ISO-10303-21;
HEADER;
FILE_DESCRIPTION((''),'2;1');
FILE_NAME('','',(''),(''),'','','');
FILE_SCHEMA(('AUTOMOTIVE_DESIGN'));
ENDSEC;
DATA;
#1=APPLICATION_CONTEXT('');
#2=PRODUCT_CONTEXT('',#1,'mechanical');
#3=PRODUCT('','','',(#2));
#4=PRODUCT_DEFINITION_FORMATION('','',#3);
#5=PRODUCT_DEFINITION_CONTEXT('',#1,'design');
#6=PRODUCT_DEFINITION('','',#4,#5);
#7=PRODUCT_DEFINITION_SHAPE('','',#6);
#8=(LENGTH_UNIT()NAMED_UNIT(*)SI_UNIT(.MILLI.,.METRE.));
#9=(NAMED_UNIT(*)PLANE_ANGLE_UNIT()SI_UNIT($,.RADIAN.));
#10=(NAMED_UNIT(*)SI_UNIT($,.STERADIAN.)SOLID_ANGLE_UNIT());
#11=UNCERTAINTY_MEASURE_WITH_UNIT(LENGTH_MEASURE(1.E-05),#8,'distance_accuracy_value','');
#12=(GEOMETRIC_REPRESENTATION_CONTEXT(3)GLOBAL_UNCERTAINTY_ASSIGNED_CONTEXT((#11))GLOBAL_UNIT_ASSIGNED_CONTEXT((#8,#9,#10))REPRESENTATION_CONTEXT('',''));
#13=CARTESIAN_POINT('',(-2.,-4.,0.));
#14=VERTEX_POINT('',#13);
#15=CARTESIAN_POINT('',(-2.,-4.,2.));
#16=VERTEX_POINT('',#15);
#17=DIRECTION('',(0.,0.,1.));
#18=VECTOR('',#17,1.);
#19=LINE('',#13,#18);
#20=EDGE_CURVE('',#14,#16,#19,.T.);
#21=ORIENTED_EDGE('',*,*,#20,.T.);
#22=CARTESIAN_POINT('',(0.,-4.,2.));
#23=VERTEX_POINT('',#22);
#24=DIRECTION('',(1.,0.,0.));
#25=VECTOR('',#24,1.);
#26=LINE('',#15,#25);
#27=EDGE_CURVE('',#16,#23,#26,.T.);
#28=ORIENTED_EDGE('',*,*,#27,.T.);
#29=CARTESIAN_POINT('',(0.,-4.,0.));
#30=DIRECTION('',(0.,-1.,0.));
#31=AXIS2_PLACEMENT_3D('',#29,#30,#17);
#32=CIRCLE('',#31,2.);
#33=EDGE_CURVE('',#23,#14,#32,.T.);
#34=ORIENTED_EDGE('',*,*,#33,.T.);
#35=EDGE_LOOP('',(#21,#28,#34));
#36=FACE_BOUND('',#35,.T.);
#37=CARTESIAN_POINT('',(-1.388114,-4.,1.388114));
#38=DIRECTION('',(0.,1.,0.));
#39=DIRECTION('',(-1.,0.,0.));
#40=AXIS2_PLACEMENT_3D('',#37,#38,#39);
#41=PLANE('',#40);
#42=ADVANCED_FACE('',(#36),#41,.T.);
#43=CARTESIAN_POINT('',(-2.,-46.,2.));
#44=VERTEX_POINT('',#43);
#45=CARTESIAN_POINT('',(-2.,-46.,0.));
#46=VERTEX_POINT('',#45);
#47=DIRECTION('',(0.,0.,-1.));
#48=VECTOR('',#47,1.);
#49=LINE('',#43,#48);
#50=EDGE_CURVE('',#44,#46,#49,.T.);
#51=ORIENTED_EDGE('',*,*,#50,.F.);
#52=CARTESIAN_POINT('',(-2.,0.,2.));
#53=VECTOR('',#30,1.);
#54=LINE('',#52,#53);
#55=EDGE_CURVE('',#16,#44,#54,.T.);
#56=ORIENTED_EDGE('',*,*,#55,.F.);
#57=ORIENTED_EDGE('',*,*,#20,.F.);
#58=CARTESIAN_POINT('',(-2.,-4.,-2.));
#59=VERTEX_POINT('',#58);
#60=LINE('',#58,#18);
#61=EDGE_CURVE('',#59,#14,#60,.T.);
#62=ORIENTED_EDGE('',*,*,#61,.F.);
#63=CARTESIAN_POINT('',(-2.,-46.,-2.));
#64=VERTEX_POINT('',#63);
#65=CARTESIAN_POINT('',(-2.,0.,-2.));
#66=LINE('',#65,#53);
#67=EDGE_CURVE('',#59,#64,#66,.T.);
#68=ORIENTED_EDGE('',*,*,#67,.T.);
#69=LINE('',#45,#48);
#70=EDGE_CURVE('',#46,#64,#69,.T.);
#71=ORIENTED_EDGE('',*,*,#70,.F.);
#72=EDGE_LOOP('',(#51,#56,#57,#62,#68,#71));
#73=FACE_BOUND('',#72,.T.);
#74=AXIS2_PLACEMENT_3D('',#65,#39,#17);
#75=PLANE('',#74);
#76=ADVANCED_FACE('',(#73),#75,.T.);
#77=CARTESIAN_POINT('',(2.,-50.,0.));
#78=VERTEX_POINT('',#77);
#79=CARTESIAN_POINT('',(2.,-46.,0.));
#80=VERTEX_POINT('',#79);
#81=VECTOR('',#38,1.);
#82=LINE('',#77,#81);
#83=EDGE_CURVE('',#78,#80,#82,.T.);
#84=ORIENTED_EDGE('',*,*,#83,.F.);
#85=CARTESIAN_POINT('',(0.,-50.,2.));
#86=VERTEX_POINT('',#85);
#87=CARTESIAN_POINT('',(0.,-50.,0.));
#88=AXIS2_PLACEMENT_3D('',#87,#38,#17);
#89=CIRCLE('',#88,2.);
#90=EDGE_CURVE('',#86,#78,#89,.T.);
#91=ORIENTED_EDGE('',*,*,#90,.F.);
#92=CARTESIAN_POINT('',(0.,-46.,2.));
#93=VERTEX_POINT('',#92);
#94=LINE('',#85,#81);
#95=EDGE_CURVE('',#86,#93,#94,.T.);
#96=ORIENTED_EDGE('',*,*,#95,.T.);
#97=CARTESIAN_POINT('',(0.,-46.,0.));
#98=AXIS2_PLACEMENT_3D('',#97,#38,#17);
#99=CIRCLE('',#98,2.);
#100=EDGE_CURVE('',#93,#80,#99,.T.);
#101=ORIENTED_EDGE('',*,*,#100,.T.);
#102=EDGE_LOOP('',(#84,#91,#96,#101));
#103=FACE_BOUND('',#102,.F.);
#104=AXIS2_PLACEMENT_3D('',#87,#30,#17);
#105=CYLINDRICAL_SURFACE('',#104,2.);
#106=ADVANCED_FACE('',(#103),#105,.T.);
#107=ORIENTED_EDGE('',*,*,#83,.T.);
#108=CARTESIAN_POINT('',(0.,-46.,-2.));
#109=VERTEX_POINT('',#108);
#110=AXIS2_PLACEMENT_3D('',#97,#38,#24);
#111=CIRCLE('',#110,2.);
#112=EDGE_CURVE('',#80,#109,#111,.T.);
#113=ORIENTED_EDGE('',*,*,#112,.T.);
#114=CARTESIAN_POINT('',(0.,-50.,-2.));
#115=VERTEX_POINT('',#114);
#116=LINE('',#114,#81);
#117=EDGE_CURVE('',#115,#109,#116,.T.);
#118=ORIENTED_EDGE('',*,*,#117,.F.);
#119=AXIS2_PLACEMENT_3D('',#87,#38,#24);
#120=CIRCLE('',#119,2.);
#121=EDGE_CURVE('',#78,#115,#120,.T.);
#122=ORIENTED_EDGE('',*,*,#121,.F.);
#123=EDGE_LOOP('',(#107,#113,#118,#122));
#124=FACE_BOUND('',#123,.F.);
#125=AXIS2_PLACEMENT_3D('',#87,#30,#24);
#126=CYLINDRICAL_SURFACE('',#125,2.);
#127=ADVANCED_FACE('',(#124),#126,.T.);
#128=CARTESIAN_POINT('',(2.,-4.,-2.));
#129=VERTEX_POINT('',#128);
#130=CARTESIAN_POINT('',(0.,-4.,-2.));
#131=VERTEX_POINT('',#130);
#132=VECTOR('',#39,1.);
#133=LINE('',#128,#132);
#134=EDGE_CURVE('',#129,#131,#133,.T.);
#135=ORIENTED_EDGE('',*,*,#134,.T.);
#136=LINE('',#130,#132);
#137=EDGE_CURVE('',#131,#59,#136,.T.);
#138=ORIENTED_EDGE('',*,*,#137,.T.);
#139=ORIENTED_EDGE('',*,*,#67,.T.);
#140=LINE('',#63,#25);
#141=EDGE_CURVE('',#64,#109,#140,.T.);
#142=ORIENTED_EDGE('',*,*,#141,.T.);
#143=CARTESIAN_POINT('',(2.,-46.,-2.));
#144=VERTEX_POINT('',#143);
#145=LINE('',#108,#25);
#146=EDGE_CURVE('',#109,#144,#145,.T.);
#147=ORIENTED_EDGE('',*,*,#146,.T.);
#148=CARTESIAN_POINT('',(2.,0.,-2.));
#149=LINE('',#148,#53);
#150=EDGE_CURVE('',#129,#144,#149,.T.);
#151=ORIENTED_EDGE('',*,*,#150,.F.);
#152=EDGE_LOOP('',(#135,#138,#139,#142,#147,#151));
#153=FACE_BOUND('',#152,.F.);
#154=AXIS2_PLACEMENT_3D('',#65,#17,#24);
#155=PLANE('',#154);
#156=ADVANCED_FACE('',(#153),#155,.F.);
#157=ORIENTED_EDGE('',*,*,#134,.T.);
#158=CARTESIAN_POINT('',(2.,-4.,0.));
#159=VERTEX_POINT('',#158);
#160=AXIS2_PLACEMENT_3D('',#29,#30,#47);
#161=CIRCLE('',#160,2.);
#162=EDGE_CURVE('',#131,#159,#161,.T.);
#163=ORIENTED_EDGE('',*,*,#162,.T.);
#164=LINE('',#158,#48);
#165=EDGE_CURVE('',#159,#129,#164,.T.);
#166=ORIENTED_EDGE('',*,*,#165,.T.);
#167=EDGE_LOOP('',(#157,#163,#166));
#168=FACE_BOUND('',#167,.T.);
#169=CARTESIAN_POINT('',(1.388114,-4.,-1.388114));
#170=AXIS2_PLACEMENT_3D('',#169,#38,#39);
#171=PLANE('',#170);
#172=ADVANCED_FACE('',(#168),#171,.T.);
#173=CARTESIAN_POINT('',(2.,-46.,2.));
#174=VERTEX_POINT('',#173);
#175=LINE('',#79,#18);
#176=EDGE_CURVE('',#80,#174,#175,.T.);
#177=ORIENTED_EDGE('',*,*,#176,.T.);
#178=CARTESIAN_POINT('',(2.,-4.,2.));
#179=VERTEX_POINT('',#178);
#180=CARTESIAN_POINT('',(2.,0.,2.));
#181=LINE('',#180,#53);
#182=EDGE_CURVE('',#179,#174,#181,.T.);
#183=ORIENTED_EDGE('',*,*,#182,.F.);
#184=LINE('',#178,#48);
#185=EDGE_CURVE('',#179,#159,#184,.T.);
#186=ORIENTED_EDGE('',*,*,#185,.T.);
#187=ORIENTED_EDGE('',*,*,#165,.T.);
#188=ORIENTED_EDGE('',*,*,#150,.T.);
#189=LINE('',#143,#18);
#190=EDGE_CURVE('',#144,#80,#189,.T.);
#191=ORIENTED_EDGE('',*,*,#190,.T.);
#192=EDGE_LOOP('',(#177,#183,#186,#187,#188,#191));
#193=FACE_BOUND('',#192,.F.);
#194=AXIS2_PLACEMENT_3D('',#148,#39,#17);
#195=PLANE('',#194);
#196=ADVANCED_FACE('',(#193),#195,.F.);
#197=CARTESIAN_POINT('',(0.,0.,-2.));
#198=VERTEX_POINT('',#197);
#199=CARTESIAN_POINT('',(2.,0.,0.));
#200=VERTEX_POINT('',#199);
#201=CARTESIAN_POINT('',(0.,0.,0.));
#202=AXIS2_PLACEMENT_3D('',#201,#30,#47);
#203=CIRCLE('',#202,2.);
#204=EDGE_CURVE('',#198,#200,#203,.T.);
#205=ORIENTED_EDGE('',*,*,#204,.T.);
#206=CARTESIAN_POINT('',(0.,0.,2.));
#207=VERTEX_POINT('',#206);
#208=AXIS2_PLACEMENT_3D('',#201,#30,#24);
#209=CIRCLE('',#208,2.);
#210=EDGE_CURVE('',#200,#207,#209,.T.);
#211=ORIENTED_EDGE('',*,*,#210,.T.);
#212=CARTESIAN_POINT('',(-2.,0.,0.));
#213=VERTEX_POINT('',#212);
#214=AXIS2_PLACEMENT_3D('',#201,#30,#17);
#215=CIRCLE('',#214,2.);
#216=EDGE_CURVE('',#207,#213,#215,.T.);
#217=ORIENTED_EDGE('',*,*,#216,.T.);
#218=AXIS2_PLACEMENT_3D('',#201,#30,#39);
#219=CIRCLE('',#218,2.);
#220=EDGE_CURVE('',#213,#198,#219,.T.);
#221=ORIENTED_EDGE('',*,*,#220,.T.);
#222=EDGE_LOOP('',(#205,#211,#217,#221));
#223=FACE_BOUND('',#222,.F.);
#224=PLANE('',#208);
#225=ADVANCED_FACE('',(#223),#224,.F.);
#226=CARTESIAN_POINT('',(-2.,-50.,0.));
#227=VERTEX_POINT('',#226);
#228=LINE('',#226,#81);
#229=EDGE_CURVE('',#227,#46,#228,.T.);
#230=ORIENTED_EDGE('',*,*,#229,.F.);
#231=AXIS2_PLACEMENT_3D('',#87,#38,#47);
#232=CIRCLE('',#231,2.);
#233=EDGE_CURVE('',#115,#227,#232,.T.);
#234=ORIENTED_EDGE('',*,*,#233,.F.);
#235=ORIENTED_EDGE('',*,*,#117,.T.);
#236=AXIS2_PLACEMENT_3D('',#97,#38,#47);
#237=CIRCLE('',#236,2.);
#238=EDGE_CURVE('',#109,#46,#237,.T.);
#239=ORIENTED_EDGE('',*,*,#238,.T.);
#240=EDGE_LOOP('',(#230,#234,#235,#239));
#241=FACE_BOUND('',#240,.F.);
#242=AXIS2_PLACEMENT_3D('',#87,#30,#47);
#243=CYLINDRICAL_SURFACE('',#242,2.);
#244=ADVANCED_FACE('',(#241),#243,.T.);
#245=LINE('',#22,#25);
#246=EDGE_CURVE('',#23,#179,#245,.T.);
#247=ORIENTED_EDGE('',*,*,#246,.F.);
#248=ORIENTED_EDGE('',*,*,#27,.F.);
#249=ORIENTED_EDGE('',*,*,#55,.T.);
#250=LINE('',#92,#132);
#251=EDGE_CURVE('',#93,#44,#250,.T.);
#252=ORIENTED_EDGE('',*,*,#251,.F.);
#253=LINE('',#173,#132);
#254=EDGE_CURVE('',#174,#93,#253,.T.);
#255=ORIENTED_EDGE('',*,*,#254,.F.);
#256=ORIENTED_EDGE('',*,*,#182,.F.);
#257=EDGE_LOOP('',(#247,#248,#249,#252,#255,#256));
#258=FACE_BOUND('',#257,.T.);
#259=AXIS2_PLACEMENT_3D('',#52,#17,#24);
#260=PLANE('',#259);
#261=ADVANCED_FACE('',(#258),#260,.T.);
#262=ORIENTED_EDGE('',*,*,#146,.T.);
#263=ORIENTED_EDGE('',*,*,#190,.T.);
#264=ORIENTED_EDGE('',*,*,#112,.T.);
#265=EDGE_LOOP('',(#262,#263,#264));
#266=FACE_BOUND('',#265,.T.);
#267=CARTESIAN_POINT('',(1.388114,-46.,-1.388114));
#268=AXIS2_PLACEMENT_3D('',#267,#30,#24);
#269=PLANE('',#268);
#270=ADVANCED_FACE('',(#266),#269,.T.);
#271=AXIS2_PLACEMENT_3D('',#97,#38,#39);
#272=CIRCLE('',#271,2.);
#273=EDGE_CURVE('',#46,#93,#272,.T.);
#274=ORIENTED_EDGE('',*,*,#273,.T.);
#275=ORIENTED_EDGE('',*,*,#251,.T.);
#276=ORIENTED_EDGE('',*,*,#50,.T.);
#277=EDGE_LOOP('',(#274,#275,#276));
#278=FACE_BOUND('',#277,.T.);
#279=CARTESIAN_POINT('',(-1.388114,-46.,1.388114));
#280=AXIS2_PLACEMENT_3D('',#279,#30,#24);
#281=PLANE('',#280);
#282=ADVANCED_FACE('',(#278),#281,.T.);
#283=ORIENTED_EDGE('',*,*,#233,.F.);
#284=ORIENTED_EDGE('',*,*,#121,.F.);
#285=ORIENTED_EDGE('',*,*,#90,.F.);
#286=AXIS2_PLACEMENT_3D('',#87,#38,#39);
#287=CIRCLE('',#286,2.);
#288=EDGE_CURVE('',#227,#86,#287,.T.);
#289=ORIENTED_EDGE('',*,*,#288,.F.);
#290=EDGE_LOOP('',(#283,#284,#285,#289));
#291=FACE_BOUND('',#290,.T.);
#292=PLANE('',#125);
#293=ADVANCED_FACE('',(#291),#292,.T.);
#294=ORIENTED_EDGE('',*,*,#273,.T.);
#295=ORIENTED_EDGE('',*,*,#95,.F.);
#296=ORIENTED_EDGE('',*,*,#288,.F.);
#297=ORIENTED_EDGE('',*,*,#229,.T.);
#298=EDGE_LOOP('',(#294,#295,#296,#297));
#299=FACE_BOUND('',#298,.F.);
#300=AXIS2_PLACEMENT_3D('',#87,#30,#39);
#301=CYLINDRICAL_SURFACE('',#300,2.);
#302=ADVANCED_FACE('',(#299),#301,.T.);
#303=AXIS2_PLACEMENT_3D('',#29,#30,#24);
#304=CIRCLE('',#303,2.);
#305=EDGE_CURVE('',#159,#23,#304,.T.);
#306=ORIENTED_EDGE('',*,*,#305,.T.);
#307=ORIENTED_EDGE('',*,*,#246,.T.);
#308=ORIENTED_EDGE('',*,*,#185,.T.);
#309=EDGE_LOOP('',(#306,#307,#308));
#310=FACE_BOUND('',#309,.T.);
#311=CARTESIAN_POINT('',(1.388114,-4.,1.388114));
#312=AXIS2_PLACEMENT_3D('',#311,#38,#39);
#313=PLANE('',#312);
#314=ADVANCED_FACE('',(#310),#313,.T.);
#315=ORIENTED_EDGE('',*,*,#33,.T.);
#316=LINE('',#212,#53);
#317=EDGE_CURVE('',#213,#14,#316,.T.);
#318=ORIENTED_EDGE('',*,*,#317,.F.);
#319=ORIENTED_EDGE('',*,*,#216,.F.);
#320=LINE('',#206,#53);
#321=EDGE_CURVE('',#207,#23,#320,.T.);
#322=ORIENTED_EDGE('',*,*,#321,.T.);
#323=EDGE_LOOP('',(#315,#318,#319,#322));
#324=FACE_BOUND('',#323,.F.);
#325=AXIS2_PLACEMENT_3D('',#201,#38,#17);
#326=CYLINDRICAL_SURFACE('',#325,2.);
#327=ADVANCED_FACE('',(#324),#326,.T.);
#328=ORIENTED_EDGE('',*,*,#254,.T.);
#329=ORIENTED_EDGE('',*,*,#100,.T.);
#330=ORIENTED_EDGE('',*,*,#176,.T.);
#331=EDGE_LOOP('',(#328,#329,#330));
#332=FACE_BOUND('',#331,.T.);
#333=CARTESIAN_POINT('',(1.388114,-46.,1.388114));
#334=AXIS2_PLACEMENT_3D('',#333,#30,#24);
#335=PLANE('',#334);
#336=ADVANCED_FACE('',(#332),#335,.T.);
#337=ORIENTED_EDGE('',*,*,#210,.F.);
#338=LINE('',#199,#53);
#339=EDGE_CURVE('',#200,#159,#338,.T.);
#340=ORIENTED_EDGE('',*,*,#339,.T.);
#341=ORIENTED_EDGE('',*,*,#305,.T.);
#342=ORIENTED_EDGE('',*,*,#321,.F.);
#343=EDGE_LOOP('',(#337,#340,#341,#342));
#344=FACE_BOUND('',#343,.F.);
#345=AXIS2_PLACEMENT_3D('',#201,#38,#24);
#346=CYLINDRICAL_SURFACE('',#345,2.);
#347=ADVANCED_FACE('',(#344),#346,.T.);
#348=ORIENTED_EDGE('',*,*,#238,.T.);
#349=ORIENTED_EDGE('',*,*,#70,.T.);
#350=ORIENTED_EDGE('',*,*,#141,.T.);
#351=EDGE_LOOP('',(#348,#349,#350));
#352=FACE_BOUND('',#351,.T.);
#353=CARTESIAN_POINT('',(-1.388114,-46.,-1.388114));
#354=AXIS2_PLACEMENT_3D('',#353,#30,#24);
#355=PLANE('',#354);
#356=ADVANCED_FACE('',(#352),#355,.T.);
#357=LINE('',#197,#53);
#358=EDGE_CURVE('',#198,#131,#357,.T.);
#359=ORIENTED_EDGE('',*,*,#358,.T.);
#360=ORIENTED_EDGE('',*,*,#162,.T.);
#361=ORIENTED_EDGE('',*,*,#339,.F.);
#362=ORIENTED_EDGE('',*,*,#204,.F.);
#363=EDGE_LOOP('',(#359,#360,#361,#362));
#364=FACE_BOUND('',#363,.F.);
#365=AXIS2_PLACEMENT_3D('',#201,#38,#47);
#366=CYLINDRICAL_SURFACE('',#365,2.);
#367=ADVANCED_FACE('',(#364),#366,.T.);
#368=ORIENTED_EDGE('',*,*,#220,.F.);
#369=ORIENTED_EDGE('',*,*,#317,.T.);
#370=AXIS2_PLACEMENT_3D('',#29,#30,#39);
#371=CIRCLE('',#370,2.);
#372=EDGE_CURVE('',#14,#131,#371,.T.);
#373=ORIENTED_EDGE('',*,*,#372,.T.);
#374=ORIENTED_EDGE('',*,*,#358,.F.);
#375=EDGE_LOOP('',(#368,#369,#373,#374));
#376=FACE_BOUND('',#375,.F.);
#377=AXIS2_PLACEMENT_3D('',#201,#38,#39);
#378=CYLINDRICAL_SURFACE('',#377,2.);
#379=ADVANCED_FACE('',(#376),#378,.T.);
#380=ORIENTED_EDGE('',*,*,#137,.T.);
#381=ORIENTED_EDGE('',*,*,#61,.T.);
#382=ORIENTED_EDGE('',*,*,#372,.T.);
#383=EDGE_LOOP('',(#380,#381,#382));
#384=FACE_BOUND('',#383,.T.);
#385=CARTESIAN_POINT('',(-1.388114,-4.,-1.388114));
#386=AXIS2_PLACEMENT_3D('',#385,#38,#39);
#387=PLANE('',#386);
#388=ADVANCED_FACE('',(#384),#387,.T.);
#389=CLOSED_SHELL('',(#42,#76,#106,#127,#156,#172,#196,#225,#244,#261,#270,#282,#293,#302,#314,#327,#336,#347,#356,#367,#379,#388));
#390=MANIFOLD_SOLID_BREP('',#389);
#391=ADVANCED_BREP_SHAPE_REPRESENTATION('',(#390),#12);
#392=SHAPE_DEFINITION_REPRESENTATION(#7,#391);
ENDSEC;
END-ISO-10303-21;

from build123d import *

# Parameters (mm, degrees)
F0_W     = 4
F0_H     = 4
F1_DEPTH = 50
F3_DEPTH = 4
F5_DEPTH = 4


with BuildPart() as f1:
    # F0 (on Front) → F1 (new body)
    with BuildSketch(Plane.XZ):
        Rectangle(F0_W, F0_H)
    extrude(amount=F1_DEPTH)

    # F2 (on face) → F3 (cut)
    with BuildSketch(Plane(origin=(0, 0, 0), x_dir=(-1, 0, 0), z_dir=(0, 1, 0))):
        with BuildLine():
            ThreePointArc((-2, 0), (-1.4142135624, 1.4142135624), (0, 2))
            Line((0, 2), (-2, 2))
            Line((-2, 2), (-2, 0))
        make_face()
        with BuildLine():
            Line((-2, -2), (0, -2))
            ThreePointArc((0, -2), (-1.4142135624, -1.4142135624), (-2, 0))
            Line((-2, 0), (-2, -2))
        make_face()
        with BuildLine():
            Line((2, -2), (2, 0))
            ThreePointArc((2, 0), (1.4142135624, -1.4142135624), (0, -2))
            Line((0, -2), (2, -2))
        make_face()
        with BuildLine():
            ThreePointArc((0, 2), (1.4142135624, 1.4142135624), (2, 0))
            Line((2, 0), (2, 2))
            Line((2, 2), (0, 2))
        make_face()
    extrude(amount=-F3_DEPTH, mode=Mode.SUBTRACT)

    # F4 (on face) → F5 (cut)
    with BuildSketch(Plane.XZ.offset(50)):
        with BuildLine():
            ThreePointArc((-2, 0), (-1.4142135624, 1.4142135624), (0, 2))
            Line((0, 2), (-2, 2))
            Line((-2, 2), (-2, 0))
        make_face()
        with BuildLine():
            Line((-2, -2), (0, -2))
            ThreePointArc((0, -2), (-1.4142135624, -1.4142135624), (-2, 0))
            Line((-2, 0), (-2, -2))
        make_face()
        with BuildLine():
            Line((2, -2), (2, 0))
            ThreePointArc((2, 0), (1.4142135624, -1.4142135624), (0, -2))
            Line((0, -2), (2, -2))
        make_face()
        with BuildLine():
            ThreePointArc((0, 2), (1.4142135624, 1.4142135624), (2, 0))
            Line((2, 0), (2, 2))
            Line((2, 2), (0, 2))
        make_face()
    extrude(amount=-F5_DEPTH, mode=Mode.SUBTRACT)


solid = f1.part
